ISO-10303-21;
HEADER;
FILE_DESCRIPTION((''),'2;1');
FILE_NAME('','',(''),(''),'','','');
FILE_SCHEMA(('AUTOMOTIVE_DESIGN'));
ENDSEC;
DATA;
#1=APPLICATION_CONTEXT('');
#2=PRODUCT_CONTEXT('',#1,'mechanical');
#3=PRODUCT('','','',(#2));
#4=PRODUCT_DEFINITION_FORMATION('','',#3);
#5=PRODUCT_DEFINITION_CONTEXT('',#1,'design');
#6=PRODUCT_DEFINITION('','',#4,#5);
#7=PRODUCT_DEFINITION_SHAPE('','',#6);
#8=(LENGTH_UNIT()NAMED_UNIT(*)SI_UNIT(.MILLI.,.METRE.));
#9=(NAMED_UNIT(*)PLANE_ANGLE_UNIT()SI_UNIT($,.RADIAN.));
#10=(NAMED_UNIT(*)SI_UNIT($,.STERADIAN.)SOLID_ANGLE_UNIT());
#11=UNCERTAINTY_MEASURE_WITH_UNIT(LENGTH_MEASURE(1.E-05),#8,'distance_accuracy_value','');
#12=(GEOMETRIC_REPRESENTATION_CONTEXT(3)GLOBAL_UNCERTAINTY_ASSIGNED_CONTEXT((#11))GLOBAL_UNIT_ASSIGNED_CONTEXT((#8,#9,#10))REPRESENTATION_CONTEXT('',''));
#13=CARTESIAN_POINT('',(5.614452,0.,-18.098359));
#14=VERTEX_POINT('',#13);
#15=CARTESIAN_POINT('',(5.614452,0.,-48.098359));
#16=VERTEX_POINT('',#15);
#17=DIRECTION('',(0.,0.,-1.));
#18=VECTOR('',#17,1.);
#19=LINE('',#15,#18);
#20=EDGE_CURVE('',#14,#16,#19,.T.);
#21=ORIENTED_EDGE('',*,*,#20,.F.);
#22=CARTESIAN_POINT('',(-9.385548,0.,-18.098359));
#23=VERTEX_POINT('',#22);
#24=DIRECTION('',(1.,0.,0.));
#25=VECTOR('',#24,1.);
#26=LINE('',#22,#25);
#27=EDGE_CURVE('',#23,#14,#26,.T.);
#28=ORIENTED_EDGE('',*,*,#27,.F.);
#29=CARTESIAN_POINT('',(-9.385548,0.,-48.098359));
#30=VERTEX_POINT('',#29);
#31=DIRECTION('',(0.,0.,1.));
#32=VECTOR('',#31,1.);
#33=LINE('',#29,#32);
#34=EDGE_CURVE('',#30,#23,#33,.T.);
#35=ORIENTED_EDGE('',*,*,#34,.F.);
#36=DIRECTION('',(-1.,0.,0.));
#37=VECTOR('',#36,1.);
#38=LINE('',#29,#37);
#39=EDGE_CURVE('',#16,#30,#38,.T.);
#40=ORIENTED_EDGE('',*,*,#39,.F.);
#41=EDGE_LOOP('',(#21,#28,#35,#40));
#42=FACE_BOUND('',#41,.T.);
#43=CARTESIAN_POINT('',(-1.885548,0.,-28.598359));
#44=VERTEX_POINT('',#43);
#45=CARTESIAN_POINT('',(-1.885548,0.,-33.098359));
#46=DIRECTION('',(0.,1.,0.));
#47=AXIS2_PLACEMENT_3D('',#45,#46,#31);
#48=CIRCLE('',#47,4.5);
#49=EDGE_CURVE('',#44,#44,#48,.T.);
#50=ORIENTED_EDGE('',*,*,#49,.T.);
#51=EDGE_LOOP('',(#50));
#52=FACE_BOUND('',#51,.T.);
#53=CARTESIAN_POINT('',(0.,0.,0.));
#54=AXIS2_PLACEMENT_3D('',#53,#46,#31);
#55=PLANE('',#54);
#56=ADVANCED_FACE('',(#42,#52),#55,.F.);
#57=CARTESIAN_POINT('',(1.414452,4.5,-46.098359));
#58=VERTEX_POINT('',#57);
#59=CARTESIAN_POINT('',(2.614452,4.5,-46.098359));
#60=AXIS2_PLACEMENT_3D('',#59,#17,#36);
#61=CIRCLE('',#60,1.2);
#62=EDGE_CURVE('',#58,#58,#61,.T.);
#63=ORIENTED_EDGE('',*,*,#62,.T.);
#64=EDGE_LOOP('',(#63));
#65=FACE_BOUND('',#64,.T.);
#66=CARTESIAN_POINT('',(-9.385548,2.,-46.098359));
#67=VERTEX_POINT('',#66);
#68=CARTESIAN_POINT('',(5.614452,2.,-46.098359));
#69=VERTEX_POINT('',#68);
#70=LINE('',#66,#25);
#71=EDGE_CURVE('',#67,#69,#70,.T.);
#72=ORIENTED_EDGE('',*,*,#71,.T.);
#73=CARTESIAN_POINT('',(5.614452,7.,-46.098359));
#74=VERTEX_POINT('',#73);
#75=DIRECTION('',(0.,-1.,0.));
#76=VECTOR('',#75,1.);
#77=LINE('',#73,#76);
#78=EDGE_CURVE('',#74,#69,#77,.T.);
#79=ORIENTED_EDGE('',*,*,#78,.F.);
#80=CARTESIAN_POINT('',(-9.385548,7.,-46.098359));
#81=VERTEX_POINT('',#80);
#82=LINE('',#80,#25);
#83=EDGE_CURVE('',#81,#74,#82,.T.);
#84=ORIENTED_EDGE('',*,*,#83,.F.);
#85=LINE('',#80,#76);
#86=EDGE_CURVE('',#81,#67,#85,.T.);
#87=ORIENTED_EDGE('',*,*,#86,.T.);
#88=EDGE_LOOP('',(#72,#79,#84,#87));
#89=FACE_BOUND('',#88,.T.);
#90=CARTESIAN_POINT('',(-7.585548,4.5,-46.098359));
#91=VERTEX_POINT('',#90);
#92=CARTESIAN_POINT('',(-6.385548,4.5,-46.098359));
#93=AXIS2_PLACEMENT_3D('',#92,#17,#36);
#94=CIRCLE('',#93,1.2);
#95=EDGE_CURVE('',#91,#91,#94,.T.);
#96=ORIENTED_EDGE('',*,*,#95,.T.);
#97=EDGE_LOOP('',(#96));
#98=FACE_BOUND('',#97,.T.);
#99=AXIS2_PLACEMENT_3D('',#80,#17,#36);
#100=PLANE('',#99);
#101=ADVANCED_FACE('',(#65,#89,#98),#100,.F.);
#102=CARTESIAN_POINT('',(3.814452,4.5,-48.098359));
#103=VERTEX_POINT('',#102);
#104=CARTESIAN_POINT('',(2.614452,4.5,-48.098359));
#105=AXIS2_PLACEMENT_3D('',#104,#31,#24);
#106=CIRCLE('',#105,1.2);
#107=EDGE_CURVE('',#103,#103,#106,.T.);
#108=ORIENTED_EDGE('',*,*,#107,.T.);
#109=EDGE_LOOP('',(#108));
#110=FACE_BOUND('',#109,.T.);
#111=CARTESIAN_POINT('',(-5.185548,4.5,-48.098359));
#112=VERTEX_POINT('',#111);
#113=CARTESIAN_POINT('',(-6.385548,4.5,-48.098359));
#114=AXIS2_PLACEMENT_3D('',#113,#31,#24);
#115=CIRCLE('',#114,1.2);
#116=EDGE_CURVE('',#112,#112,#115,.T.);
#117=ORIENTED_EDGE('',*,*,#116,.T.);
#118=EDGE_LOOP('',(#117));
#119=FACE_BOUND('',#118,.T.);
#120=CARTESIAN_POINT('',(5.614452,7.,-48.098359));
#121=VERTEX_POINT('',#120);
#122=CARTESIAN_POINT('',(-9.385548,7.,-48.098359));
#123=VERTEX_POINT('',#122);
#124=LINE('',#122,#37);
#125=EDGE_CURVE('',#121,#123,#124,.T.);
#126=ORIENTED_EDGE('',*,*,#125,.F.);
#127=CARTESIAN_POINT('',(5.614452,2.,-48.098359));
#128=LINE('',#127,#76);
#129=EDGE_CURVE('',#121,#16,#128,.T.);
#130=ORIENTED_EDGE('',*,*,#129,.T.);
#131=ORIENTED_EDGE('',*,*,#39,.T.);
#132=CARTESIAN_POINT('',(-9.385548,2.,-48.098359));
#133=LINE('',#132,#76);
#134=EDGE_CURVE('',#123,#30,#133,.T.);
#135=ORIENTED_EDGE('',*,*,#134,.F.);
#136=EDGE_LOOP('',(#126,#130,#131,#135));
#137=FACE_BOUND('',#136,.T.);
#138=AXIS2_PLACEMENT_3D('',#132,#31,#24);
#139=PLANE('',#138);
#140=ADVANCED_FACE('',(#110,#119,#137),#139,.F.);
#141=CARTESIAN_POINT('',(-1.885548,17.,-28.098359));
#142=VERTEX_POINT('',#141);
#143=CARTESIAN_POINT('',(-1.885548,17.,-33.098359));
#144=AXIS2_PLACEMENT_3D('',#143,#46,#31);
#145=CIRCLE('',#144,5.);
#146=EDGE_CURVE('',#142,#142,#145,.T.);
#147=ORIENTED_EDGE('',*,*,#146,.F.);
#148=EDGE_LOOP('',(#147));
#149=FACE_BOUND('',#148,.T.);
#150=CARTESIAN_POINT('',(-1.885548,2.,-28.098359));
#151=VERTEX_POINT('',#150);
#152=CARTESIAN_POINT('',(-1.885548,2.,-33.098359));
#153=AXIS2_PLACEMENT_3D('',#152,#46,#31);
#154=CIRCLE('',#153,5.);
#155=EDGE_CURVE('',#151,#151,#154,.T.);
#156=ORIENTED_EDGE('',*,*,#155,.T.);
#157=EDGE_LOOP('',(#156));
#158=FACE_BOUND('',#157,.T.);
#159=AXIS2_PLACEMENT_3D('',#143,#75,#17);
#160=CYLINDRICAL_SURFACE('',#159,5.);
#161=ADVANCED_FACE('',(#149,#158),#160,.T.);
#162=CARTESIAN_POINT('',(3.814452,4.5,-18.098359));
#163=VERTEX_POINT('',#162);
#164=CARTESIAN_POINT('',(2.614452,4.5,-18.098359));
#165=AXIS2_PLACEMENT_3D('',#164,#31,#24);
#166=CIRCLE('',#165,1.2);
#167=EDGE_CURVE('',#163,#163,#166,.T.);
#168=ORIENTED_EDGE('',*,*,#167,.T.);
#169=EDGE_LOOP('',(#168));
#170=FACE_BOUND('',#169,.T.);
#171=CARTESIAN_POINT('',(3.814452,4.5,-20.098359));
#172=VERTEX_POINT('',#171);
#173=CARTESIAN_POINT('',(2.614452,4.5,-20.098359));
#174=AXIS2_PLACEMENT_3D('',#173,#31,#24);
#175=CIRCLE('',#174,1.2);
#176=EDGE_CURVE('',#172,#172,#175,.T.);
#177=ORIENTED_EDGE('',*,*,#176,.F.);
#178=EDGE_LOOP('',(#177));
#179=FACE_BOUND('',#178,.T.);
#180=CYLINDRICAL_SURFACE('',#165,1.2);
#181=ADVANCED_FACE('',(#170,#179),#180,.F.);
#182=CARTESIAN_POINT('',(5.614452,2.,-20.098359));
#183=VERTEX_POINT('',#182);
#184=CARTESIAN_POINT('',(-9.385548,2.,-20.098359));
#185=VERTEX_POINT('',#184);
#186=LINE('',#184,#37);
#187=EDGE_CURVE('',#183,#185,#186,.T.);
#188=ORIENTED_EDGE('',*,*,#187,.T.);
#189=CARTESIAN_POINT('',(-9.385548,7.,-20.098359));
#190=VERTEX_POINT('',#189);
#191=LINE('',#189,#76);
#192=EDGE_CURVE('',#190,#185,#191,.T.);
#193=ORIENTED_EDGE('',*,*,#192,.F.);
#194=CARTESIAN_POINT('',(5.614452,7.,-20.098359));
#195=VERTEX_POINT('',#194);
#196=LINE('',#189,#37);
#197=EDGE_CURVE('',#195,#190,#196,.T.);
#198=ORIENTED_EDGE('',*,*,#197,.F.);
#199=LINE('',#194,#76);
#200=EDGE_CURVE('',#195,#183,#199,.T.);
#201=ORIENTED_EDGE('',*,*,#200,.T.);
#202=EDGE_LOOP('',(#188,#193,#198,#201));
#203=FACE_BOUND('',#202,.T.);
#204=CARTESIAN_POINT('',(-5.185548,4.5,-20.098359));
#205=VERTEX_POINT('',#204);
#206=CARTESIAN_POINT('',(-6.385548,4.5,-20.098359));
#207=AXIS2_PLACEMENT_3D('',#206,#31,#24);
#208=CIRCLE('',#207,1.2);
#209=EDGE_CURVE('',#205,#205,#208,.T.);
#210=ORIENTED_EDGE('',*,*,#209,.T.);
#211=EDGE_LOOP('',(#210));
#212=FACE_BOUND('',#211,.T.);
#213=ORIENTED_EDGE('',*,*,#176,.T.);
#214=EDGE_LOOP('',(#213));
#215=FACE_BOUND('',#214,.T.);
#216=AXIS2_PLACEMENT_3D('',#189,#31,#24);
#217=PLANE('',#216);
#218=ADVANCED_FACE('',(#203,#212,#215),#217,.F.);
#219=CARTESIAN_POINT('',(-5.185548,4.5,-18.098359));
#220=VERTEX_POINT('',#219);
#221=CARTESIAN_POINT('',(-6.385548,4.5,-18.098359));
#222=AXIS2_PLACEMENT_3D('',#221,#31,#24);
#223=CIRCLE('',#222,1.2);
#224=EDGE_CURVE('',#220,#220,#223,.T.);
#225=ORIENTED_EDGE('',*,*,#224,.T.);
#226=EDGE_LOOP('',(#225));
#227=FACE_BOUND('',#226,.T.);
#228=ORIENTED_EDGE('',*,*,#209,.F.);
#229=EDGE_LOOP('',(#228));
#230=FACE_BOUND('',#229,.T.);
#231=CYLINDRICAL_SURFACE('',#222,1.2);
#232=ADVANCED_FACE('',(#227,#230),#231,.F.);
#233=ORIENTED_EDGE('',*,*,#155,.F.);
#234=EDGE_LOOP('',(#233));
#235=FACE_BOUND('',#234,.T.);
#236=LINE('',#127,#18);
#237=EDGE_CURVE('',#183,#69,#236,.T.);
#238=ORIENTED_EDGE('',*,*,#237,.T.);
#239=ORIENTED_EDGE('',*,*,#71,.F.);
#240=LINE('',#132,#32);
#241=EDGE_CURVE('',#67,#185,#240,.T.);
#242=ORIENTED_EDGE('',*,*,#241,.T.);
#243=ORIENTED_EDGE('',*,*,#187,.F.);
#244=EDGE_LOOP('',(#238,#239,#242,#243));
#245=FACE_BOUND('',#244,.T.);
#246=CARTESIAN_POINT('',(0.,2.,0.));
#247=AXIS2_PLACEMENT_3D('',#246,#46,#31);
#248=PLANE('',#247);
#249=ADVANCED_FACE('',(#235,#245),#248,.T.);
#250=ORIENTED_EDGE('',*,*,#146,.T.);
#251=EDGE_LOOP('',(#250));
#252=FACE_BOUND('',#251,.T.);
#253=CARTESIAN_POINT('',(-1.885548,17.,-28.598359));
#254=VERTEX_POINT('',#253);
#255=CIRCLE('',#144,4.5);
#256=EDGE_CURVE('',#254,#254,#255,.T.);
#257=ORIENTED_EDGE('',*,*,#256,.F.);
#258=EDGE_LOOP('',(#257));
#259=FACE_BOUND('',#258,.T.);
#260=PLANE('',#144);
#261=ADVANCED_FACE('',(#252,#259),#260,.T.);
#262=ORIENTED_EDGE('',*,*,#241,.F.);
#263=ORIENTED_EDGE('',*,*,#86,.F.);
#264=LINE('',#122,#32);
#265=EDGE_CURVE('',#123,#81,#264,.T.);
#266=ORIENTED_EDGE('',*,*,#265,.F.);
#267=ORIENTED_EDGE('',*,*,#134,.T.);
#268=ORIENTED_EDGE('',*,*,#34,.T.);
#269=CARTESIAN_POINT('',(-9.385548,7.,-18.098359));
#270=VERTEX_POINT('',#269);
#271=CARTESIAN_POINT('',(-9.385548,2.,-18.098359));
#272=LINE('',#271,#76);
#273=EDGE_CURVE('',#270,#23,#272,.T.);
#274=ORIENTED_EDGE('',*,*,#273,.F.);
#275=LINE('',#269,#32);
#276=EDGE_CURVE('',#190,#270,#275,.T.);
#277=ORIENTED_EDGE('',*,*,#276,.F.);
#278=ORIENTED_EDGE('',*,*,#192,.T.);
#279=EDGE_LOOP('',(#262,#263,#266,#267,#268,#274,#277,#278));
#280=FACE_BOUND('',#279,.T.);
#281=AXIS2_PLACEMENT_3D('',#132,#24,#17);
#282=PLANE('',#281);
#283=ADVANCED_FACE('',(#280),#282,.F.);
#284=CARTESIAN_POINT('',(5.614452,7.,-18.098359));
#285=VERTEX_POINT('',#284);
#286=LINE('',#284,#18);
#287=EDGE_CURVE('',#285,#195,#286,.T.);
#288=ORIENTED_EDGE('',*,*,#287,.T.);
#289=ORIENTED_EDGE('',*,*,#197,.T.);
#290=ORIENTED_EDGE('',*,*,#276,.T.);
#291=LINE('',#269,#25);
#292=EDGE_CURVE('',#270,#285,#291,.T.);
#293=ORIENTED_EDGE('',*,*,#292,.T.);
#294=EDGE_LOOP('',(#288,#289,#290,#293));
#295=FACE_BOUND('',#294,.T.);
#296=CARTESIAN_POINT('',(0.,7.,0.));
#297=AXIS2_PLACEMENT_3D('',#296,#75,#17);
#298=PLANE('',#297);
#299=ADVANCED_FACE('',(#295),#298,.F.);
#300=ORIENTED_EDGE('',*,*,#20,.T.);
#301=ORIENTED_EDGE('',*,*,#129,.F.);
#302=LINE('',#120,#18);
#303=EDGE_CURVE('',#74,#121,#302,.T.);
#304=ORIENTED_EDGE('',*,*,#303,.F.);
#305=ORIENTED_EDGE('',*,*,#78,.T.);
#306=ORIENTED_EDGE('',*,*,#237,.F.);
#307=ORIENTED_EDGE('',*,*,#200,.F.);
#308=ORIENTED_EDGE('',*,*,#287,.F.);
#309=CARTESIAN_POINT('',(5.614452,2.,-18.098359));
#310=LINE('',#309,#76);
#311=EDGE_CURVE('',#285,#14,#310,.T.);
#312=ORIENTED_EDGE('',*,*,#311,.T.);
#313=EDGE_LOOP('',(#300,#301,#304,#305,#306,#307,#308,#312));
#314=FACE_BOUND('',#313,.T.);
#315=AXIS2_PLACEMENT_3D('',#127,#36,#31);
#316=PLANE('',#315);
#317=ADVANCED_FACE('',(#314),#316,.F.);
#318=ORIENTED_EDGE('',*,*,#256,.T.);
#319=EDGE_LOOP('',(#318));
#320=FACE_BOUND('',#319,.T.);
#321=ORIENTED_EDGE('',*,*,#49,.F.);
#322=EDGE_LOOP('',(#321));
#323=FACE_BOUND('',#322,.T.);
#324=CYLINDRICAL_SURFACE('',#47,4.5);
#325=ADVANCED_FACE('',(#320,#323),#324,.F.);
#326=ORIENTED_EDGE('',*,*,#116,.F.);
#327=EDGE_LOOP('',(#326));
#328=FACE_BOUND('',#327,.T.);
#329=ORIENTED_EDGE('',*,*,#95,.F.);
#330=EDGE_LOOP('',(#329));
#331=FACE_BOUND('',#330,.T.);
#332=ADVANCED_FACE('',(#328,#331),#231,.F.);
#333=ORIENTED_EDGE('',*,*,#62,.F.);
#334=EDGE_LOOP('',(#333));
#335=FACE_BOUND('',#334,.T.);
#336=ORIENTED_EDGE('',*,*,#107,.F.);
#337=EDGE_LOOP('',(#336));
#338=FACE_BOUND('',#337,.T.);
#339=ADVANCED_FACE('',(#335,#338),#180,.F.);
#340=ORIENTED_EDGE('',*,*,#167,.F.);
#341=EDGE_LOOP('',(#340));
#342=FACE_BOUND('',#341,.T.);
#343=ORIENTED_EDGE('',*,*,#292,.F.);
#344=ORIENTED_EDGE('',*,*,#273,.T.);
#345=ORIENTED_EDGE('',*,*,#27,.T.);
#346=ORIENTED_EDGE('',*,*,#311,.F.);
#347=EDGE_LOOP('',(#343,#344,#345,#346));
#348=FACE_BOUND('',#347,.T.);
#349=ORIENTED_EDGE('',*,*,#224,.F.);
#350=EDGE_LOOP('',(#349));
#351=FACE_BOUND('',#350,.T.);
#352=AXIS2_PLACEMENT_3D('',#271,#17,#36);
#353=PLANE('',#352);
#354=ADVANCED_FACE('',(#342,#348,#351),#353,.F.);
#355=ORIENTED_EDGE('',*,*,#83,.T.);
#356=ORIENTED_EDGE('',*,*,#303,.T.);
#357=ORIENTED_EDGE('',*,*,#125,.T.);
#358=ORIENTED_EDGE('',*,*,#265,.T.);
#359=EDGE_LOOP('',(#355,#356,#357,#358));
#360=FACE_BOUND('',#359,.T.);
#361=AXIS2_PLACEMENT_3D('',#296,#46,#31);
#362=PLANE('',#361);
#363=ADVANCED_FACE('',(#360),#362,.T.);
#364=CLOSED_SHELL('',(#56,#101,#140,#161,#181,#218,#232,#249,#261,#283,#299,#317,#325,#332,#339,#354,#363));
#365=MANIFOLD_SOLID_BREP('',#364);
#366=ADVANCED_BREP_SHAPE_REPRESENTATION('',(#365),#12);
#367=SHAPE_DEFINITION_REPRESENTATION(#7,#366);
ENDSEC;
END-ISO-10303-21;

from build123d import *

# Parameters (mm, degrees)
ESQUISSE1_W             = 15
ESQUISSE1_H             = 30
BOSS_EXTRU_1_DEPTH      = 2
ESQUISSE4_W             = 15
ESQUISSE4_H             = 2
BOSS_EXTRU_3_DEPTH      = 5
D_GAGEMENT_M21_D        = 2.4
ESQUISSE2_R             = 5
BOSS_EXTRU_2_DEPTH      = 15
ESQUISSE3_R             = 4.5
ENL_V_MAT_EXTRU_3_DEPTH = 52.870421487


with BuildPart() as part:
    # Esquisse1 → Boss.-Extru.1 (new body)
    with BuildSketch(Plane(origin=(0, 0, 0), x_dir=(1, 0, 0), z_dir=(0, 1, 0))):
        with Locations((-1.885547836, 33.098358778)):
            Rectangle(ESQUISSE1_W, ESQUISSE1_H)
    extrude(amount=BOSS_EXTRU_1_DEPTH)

    # Esquisse4 → Boss.-Extru.3 (add)
    with BuildSketch(Plane(origin=(0, 2, 0), x_dir=(1, 0, 0), z_dir=(0, 1, 0))):
        with Locations((-1.885547836, 47.098358778)):
            Rectangle(ESQUISSE4_W, ESQUISSE4_H)
        with Locations((-1.885547836, 19.098358778)):
            Rectangle(ESQUISSE4_W, ESQUISSE4_H)
    extrude(amount=BOSS_EXTRU_3_DEPTH)

    # Dégagement M21 (through all)
    with Locations(Plane.XY.offset(-18.098358778)):
        with Locations((-6.385547836, 4.5), (2.614452164, 4.5)):
            Hole(D_GAGEMENT_M21_D / 2)

    # Esquisse2 → Boss.-Extru.2 (add)
    with BuildSketch(Plane(origin=(0, 2, 0), x_dir=(1, 0, 0), z_dir=(0, 1, 0))):
        with Locations(Location((-1.885547836, 33.098358778, 0), (0, 0, 270))):
            Circle(ESQUISSE2_R)
    extrude(amount=BOSS_EXTRU_2_DEPTH)

    # Esquisse3 → Enlèv. mat.-Extru.3 (cut, through all)
    with BuildSketch(Plane(origin=(0, 17, 0), x_dir=(1, 0, 0), z_dir=(0, 1, 0))):
        with Locations(Location((-1.885547836, 33.098358778, 0), (0, 0, 270))):
            Circle(ESQUISSE3_R)
    extrude(amount=-ENL_V_MAT_EXTRU_3_DEPTH, mode=Mode.SUBTRACT)


solid = part.part
